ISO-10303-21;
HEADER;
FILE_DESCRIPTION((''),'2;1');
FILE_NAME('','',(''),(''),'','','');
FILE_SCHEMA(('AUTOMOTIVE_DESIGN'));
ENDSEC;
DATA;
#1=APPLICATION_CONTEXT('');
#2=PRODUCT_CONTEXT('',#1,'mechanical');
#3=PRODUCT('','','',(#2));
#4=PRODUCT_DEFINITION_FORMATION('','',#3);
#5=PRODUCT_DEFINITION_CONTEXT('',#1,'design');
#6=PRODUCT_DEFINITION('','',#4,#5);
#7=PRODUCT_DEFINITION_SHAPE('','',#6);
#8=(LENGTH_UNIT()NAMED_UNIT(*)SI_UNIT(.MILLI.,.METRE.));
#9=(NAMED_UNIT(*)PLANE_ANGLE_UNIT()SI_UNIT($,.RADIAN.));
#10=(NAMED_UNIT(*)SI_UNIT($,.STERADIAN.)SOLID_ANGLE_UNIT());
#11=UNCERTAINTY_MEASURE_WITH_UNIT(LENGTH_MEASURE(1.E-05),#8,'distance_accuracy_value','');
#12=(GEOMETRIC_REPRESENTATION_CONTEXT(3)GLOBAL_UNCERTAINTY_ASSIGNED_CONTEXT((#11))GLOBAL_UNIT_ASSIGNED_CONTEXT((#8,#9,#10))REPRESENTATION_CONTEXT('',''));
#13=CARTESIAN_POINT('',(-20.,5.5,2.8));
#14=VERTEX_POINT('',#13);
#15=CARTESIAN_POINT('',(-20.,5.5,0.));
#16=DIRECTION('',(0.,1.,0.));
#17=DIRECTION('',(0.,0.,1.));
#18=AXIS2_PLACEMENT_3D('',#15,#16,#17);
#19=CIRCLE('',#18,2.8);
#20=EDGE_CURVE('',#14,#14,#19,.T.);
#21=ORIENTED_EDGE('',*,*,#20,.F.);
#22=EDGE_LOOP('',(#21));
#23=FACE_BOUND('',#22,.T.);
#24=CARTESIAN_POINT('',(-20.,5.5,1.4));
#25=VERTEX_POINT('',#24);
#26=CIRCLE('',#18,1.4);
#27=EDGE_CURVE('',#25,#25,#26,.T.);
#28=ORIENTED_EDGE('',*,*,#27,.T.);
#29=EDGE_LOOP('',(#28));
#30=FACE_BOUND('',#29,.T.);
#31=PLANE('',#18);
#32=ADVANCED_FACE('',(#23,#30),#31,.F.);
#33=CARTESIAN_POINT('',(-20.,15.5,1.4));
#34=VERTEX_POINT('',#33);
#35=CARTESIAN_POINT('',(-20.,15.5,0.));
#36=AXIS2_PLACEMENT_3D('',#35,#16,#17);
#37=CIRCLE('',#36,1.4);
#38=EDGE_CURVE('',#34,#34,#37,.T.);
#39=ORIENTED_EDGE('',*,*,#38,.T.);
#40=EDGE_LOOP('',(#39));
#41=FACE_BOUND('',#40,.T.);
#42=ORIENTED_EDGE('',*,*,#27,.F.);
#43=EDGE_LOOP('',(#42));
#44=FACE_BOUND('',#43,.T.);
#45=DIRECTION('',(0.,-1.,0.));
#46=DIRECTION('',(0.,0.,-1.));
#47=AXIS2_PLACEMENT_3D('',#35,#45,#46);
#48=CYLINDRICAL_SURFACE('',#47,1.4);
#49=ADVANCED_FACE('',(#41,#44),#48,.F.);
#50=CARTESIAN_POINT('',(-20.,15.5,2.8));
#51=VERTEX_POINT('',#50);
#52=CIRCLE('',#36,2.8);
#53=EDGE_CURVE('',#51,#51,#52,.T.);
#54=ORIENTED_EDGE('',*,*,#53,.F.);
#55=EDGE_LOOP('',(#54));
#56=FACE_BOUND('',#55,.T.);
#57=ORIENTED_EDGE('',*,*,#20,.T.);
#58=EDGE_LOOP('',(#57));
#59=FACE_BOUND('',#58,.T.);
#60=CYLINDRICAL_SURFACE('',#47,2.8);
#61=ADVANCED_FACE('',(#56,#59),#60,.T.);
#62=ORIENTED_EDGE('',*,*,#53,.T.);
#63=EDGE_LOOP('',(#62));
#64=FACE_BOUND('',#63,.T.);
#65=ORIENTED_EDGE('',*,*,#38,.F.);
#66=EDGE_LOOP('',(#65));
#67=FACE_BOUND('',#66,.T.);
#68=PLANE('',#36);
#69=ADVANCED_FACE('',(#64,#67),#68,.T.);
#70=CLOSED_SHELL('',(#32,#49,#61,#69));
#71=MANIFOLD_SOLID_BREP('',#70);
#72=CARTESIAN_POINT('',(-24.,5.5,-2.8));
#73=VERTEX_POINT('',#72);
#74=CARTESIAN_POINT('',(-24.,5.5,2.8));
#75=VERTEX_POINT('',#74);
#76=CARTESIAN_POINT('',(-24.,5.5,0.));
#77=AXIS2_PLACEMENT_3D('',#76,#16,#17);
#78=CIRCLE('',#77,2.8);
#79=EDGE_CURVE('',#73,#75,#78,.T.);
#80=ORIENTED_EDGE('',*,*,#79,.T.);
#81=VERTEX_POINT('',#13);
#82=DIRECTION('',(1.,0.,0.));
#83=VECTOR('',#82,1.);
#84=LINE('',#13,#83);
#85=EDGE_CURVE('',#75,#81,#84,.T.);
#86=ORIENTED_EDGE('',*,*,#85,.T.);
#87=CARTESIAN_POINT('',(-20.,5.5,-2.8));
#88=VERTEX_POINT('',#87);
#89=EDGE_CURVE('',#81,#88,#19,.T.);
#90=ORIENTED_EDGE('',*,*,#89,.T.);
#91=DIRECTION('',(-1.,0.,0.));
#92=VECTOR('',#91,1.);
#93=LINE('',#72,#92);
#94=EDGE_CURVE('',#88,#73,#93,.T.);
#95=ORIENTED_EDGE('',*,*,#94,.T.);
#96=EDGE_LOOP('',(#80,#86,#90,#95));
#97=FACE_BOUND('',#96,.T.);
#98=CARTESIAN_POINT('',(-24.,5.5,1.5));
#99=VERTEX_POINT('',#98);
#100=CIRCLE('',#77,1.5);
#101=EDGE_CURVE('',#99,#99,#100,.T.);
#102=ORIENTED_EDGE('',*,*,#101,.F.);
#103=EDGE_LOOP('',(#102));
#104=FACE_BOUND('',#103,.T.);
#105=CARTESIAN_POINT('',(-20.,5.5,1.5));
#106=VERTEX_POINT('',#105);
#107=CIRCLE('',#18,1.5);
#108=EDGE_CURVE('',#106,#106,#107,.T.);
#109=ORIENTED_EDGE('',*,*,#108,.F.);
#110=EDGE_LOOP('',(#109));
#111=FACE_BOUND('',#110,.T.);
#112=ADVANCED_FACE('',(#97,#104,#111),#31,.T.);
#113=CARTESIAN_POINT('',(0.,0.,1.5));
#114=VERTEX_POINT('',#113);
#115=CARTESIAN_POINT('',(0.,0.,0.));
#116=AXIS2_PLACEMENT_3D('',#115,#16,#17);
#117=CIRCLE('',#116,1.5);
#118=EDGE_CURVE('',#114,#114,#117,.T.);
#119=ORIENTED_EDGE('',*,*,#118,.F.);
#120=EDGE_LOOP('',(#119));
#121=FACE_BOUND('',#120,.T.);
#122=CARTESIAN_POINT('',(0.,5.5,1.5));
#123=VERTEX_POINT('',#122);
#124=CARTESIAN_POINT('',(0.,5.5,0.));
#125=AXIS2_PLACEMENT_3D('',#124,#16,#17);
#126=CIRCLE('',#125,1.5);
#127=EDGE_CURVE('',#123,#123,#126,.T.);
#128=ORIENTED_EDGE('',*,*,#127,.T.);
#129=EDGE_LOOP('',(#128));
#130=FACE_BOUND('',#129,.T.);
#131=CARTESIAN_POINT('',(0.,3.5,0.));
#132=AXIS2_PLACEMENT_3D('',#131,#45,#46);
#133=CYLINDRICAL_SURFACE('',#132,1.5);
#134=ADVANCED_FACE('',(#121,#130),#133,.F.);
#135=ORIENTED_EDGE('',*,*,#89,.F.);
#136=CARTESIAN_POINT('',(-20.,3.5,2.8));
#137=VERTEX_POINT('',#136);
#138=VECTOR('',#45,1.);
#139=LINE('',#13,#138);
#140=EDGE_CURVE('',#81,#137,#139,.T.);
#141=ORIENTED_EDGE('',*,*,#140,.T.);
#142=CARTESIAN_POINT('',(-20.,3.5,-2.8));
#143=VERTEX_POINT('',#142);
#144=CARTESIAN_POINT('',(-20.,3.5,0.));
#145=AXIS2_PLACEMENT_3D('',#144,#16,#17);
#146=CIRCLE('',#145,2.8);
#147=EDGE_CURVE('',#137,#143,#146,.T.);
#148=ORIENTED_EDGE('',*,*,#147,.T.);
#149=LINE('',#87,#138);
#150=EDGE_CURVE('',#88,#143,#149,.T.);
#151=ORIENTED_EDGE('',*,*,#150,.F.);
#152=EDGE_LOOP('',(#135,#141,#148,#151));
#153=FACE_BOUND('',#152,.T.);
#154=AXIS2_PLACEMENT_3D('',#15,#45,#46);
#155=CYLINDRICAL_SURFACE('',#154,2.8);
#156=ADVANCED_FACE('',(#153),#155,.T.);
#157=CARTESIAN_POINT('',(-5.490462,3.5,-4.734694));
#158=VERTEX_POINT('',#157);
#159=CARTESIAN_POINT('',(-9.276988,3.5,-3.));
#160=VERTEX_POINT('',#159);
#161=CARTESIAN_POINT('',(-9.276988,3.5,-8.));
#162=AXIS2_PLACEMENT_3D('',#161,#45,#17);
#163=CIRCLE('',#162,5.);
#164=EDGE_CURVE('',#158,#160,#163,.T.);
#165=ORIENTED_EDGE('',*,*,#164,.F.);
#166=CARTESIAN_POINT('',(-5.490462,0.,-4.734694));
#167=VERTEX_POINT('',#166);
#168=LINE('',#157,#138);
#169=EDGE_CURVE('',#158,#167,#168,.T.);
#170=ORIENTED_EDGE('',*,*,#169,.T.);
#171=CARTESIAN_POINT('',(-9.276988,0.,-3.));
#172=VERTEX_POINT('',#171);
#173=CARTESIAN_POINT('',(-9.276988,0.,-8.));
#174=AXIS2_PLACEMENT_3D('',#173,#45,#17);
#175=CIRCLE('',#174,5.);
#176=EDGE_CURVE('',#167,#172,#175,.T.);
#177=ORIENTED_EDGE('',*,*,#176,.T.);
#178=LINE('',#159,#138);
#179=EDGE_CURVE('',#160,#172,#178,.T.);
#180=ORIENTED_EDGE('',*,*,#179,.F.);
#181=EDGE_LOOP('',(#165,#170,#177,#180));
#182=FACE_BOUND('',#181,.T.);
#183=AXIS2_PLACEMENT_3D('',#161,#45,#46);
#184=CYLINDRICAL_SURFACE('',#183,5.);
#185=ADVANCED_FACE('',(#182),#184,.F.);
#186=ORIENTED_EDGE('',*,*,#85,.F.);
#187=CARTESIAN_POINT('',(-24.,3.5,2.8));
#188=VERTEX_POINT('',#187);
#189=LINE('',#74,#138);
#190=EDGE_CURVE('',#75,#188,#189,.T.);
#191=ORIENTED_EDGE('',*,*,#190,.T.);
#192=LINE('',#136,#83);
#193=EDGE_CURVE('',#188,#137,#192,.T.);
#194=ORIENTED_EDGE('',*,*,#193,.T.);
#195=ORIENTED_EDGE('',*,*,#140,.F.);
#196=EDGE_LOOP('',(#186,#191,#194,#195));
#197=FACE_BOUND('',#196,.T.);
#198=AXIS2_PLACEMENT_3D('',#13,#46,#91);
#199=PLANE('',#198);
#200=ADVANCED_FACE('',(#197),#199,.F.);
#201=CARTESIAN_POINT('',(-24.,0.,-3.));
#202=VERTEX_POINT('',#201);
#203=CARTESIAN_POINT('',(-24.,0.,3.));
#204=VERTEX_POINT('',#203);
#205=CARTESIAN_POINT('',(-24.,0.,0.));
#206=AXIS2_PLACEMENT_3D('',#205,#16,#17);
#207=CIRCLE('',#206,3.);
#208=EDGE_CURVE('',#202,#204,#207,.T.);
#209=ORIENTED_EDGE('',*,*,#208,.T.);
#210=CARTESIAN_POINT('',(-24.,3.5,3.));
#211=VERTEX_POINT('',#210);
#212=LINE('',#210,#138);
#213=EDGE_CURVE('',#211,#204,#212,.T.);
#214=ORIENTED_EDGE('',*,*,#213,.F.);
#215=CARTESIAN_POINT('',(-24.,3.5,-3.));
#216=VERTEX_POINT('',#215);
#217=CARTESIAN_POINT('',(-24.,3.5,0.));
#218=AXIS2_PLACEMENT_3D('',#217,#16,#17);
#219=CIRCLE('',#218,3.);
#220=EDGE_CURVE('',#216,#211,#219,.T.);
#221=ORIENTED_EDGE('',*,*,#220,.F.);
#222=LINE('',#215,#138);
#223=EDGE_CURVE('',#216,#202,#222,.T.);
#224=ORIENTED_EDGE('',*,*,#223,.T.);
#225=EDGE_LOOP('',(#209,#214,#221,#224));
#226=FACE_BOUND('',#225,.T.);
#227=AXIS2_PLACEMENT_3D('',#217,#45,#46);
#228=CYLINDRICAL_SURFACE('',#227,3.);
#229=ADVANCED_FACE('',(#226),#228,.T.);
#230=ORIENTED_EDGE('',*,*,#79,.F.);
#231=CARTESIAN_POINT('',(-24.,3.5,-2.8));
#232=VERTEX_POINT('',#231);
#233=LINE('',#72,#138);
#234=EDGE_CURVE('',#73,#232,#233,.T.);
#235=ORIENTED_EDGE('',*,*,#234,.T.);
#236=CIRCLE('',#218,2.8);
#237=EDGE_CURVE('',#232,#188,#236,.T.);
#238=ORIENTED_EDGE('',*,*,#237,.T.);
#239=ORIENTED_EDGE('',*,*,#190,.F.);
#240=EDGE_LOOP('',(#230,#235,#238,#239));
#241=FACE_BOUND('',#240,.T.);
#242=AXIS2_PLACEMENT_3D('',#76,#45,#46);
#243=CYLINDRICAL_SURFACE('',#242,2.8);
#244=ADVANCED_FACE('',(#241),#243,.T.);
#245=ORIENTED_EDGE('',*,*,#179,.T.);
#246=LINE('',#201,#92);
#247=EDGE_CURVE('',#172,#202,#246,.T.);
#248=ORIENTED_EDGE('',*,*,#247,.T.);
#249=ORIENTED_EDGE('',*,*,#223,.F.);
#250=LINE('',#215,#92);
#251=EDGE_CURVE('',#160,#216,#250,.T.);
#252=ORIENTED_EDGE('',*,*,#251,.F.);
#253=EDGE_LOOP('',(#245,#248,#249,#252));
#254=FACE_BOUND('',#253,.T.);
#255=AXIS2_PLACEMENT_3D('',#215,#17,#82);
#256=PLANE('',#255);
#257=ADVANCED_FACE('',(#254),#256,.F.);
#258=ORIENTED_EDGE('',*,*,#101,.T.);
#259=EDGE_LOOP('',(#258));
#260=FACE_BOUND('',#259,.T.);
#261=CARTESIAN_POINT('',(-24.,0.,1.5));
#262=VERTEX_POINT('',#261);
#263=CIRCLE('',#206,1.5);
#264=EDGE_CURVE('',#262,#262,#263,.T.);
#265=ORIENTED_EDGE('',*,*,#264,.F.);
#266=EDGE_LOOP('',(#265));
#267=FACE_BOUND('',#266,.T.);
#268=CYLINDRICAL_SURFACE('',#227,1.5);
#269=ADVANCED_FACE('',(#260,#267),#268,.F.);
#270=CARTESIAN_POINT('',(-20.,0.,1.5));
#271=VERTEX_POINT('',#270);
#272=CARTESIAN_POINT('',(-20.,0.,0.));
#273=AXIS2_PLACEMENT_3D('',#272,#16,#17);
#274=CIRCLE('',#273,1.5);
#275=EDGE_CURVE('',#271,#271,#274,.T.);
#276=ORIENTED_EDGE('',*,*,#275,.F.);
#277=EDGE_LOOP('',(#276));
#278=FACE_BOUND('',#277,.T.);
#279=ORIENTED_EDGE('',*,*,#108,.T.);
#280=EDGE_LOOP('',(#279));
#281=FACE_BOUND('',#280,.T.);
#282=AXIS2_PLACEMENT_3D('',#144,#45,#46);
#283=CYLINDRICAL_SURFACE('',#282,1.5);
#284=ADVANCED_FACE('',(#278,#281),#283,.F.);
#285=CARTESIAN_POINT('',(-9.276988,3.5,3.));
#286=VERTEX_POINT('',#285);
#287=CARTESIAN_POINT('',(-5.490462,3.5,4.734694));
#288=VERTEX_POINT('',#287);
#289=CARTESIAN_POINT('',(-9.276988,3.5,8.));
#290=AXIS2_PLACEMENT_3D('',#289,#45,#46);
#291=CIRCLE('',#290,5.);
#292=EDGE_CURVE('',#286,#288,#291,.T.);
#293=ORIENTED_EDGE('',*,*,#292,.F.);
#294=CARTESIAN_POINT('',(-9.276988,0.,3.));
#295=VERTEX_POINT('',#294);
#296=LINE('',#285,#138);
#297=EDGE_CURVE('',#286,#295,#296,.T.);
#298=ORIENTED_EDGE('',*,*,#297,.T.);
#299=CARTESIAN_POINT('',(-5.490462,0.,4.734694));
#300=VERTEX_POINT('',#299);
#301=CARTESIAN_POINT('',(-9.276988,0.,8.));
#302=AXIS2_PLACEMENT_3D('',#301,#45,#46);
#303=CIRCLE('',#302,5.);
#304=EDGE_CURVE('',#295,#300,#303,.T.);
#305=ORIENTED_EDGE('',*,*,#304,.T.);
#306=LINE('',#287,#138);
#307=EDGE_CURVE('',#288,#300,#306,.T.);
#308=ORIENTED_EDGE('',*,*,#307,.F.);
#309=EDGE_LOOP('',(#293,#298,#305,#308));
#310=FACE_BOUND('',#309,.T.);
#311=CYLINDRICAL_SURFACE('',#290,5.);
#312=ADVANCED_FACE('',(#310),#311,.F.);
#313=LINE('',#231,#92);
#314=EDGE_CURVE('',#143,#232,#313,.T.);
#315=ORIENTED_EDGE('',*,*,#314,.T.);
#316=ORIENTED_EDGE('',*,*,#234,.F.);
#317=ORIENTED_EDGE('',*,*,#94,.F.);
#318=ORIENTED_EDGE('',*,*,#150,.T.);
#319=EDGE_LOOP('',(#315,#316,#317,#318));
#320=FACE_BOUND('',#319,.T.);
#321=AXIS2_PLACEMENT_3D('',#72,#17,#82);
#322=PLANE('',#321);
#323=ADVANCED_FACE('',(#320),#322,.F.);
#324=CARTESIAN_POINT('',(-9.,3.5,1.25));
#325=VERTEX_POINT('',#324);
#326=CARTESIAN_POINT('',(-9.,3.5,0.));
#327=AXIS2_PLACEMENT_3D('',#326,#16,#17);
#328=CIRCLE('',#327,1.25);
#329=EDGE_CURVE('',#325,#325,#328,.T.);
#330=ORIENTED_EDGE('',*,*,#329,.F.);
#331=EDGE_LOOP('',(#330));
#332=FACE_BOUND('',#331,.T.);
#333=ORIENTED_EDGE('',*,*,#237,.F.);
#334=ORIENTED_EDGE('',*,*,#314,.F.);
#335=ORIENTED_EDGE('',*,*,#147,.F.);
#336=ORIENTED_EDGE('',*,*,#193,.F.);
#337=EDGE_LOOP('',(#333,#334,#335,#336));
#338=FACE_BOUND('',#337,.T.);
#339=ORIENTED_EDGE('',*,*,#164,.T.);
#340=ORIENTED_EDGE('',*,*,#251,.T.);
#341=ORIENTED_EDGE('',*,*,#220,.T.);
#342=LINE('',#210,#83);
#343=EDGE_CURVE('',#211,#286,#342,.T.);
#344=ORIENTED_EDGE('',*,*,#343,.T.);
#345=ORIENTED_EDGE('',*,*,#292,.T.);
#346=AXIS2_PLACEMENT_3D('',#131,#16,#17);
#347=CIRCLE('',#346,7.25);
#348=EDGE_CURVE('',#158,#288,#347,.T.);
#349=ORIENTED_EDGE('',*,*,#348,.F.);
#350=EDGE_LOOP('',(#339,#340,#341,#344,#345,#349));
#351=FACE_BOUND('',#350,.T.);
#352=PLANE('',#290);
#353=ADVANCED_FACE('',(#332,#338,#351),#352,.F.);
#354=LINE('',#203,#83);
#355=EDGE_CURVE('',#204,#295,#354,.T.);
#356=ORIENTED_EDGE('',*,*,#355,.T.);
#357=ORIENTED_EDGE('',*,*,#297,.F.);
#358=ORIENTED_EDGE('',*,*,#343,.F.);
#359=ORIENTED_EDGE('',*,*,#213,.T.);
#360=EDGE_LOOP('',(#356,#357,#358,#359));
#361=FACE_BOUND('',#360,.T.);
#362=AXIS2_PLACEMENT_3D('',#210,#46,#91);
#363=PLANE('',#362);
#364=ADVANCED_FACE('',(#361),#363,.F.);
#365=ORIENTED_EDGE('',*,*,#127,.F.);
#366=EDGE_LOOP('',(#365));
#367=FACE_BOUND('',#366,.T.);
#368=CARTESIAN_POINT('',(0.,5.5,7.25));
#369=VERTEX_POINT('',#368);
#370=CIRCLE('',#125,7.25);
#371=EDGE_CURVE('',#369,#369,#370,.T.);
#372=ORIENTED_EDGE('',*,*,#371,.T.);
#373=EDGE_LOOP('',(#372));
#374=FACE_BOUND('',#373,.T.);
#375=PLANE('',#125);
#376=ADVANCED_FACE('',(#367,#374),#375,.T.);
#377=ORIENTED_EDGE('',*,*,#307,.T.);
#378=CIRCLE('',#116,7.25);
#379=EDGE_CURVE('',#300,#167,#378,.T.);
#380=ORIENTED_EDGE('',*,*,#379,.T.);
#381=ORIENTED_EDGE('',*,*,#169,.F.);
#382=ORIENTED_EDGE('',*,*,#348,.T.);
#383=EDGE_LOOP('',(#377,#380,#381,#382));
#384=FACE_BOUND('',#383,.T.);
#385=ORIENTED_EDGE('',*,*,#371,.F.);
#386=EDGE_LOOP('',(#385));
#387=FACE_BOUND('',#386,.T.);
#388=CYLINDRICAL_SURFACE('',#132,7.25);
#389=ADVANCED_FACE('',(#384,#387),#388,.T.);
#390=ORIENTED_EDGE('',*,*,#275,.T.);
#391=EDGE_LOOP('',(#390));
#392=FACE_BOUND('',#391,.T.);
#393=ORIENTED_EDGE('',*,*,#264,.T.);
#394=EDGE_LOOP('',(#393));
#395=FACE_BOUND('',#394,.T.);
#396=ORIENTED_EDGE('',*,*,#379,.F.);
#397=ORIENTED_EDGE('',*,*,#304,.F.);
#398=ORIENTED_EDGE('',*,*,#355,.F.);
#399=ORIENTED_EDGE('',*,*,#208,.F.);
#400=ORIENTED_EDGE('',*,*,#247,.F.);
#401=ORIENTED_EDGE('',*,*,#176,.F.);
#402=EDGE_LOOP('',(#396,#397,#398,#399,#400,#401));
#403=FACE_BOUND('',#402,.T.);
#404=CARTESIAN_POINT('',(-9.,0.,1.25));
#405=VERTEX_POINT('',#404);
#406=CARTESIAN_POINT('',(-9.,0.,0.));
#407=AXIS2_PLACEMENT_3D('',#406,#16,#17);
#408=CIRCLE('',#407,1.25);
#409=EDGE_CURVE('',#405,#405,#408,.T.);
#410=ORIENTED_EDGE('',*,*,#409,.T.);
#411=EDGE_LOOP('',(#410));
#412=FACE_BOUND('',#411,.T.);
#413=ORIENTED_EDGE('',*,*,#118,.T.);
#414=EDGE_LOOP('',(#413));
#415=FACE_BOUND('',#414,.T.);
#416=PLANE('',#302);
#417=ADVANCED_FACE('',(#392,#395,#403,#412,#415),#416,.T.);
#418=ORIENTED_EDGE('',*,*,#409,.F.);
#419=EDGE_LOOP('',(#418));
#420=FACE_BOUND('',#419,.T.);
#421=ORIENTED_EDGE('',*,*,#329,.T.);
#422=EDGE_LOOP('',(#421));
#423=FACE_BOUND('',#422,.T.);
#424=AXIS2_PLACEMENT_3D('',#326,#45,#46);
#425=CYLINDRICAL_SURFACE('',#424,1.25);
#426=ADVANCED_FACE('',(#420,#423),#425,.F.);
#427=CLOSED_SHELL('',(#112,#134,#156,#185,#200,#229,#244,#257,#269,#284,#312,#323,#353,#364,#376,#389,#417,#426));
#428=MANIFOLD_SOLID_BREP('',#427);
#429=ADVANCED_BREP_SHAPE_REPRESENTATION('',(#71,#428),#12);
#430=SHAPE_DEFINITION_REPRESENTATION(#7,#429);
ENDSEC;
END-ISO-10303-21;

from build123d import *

# Parameters (mm, degrees)
SKETCH_1_R      = 1.5
SKETCH_1_R_2    = 1.25
EXTRUDE_1_DEPTH = 3.5
SKETCH_2_R      = 7.25
SKETCH_2_R_2    = 1.5
EXTRUDE_2_DEPTH = 2
SKETCH_5_R      = 2.8
SKETCH_5_R_2    = 1.4
EXTRUDE_5_DEPTH = 10


with BuildPart() as part:
    # 草图1 → 凸台-拉伸1 (new body)
    with BuildSketch(Plane(origin=(0, 0, 0), x_dir=(1, 0, 0), z_dir=(0, 1, 0))):
        with BuildLine():
            Line((-24, -3), (-9.276987658, -3))
            ThreePointArc((-9.276987658, -3), (-7.194504838, -3.45431355), (-5.490462083, -4.734693878))
            ThreePointArc((-5.490462083, -4.734693878), (7.25, 0), (-5.490462083, 4.734693878))
            ThreePointArc((-5.490462083, 4.734693878), (-7.194504838, 3.45431355), (-9.276987658, 3))
            Line((-9.276987658, 3), (-24, 3))
            ThreePointArc((-24, 3), (-27, 0), (-24, -3))
        make_face()
        with Locations(Location((0, 0, 0), (0, 0, 270))):
            Circle(SKETCH_1_R, mode=Mode.SUBTRACT)
        with Locations(Location((-24, 0, 0), (0, 0, 270))):
            Circle(SKETCH_1_R, mode=Mode.SUBTRACT)
        with Locations(Location((-20, 0, 0), (0, 0, 270))):
            Circle(SKETCH_1_R, mode=Mode.SUBTRACT)
        with Locations(Location((-9, 0, 0), (0, 0, 270))):
            Circle(SKETCH_1_R_2, mode=Mode.SUBTRACT)
    extrude(amount=EXTRUDE_1_DEPTH)

    # 草图2 → 凸台-拉伸2 (add)
    # profile 1 of 2: a face of its own
    with BuildSketch(Plane(origin=(0, 3.5, 0), x_dir=(1, 0, 0), z_dir=(0, 1, 0))):
        with Locations(Location((0, 0, 0), (0, 0, 139.227195306))):
            Circle(SKETCH_2_R)
        with Locations(Location((0, 0, 0), (0, 0, 270))):
            Circle(SKETCH_2_R_2, mode=Mode.SUBTRACT)
    # profile 2 of 2: a face of its own
    with BuildSketch(Plane(origin=(0, 3.5, 0), x_dir=(1, 0, 0), z_dir=(0, 1, 0))):
        with BuildLine():
            Line((-24, 2.8), (-20, 2.8))
            ThreePointArc((-20, 2.8), (-17.2, 0), (-20, -2.8))
            Line((-20, -2.8), (-24, -2.8))
            ThreePointArc((-24, -2.8), (-26.8, 0), (-24, 2.8))
        make_face()
        with Locations(Location((-20, 0, 0), (0, 0, 270))):
            Circle(SKETCH_2_R_2, mode=Mode.SUBTRACT)
        with Locations(Location((-24, 0, 0), (0, 0, 270))):
            Circle(SKETCH_2_R_2, mode=Mode.SUBTRACT)
    extrude(amount=EXTRUDE_2_DEPTH)


with BuildPart() as body_2:
    # 草图5 → 凸台-拉伸5 (new body)
    with BuildSketch(Plane(origin=(0, 5.5, 0), x_dir=(1, 0, 0), z_dir=(0, 1, 0))):
        with Locations(Location((-20, 0, 0), (0, 0, 270))):
            Circle(SKETCH_5_R)
        with Locations(Location((-20, 0, 0), (0, 0, 270))):
            Circle(SKETCH_5_R_2, mode=Mode.SUBTRACT)
    extrude(amount=EXTRUDE_5_DEPTH)


solid = Compound([part.part, body_2.part])
